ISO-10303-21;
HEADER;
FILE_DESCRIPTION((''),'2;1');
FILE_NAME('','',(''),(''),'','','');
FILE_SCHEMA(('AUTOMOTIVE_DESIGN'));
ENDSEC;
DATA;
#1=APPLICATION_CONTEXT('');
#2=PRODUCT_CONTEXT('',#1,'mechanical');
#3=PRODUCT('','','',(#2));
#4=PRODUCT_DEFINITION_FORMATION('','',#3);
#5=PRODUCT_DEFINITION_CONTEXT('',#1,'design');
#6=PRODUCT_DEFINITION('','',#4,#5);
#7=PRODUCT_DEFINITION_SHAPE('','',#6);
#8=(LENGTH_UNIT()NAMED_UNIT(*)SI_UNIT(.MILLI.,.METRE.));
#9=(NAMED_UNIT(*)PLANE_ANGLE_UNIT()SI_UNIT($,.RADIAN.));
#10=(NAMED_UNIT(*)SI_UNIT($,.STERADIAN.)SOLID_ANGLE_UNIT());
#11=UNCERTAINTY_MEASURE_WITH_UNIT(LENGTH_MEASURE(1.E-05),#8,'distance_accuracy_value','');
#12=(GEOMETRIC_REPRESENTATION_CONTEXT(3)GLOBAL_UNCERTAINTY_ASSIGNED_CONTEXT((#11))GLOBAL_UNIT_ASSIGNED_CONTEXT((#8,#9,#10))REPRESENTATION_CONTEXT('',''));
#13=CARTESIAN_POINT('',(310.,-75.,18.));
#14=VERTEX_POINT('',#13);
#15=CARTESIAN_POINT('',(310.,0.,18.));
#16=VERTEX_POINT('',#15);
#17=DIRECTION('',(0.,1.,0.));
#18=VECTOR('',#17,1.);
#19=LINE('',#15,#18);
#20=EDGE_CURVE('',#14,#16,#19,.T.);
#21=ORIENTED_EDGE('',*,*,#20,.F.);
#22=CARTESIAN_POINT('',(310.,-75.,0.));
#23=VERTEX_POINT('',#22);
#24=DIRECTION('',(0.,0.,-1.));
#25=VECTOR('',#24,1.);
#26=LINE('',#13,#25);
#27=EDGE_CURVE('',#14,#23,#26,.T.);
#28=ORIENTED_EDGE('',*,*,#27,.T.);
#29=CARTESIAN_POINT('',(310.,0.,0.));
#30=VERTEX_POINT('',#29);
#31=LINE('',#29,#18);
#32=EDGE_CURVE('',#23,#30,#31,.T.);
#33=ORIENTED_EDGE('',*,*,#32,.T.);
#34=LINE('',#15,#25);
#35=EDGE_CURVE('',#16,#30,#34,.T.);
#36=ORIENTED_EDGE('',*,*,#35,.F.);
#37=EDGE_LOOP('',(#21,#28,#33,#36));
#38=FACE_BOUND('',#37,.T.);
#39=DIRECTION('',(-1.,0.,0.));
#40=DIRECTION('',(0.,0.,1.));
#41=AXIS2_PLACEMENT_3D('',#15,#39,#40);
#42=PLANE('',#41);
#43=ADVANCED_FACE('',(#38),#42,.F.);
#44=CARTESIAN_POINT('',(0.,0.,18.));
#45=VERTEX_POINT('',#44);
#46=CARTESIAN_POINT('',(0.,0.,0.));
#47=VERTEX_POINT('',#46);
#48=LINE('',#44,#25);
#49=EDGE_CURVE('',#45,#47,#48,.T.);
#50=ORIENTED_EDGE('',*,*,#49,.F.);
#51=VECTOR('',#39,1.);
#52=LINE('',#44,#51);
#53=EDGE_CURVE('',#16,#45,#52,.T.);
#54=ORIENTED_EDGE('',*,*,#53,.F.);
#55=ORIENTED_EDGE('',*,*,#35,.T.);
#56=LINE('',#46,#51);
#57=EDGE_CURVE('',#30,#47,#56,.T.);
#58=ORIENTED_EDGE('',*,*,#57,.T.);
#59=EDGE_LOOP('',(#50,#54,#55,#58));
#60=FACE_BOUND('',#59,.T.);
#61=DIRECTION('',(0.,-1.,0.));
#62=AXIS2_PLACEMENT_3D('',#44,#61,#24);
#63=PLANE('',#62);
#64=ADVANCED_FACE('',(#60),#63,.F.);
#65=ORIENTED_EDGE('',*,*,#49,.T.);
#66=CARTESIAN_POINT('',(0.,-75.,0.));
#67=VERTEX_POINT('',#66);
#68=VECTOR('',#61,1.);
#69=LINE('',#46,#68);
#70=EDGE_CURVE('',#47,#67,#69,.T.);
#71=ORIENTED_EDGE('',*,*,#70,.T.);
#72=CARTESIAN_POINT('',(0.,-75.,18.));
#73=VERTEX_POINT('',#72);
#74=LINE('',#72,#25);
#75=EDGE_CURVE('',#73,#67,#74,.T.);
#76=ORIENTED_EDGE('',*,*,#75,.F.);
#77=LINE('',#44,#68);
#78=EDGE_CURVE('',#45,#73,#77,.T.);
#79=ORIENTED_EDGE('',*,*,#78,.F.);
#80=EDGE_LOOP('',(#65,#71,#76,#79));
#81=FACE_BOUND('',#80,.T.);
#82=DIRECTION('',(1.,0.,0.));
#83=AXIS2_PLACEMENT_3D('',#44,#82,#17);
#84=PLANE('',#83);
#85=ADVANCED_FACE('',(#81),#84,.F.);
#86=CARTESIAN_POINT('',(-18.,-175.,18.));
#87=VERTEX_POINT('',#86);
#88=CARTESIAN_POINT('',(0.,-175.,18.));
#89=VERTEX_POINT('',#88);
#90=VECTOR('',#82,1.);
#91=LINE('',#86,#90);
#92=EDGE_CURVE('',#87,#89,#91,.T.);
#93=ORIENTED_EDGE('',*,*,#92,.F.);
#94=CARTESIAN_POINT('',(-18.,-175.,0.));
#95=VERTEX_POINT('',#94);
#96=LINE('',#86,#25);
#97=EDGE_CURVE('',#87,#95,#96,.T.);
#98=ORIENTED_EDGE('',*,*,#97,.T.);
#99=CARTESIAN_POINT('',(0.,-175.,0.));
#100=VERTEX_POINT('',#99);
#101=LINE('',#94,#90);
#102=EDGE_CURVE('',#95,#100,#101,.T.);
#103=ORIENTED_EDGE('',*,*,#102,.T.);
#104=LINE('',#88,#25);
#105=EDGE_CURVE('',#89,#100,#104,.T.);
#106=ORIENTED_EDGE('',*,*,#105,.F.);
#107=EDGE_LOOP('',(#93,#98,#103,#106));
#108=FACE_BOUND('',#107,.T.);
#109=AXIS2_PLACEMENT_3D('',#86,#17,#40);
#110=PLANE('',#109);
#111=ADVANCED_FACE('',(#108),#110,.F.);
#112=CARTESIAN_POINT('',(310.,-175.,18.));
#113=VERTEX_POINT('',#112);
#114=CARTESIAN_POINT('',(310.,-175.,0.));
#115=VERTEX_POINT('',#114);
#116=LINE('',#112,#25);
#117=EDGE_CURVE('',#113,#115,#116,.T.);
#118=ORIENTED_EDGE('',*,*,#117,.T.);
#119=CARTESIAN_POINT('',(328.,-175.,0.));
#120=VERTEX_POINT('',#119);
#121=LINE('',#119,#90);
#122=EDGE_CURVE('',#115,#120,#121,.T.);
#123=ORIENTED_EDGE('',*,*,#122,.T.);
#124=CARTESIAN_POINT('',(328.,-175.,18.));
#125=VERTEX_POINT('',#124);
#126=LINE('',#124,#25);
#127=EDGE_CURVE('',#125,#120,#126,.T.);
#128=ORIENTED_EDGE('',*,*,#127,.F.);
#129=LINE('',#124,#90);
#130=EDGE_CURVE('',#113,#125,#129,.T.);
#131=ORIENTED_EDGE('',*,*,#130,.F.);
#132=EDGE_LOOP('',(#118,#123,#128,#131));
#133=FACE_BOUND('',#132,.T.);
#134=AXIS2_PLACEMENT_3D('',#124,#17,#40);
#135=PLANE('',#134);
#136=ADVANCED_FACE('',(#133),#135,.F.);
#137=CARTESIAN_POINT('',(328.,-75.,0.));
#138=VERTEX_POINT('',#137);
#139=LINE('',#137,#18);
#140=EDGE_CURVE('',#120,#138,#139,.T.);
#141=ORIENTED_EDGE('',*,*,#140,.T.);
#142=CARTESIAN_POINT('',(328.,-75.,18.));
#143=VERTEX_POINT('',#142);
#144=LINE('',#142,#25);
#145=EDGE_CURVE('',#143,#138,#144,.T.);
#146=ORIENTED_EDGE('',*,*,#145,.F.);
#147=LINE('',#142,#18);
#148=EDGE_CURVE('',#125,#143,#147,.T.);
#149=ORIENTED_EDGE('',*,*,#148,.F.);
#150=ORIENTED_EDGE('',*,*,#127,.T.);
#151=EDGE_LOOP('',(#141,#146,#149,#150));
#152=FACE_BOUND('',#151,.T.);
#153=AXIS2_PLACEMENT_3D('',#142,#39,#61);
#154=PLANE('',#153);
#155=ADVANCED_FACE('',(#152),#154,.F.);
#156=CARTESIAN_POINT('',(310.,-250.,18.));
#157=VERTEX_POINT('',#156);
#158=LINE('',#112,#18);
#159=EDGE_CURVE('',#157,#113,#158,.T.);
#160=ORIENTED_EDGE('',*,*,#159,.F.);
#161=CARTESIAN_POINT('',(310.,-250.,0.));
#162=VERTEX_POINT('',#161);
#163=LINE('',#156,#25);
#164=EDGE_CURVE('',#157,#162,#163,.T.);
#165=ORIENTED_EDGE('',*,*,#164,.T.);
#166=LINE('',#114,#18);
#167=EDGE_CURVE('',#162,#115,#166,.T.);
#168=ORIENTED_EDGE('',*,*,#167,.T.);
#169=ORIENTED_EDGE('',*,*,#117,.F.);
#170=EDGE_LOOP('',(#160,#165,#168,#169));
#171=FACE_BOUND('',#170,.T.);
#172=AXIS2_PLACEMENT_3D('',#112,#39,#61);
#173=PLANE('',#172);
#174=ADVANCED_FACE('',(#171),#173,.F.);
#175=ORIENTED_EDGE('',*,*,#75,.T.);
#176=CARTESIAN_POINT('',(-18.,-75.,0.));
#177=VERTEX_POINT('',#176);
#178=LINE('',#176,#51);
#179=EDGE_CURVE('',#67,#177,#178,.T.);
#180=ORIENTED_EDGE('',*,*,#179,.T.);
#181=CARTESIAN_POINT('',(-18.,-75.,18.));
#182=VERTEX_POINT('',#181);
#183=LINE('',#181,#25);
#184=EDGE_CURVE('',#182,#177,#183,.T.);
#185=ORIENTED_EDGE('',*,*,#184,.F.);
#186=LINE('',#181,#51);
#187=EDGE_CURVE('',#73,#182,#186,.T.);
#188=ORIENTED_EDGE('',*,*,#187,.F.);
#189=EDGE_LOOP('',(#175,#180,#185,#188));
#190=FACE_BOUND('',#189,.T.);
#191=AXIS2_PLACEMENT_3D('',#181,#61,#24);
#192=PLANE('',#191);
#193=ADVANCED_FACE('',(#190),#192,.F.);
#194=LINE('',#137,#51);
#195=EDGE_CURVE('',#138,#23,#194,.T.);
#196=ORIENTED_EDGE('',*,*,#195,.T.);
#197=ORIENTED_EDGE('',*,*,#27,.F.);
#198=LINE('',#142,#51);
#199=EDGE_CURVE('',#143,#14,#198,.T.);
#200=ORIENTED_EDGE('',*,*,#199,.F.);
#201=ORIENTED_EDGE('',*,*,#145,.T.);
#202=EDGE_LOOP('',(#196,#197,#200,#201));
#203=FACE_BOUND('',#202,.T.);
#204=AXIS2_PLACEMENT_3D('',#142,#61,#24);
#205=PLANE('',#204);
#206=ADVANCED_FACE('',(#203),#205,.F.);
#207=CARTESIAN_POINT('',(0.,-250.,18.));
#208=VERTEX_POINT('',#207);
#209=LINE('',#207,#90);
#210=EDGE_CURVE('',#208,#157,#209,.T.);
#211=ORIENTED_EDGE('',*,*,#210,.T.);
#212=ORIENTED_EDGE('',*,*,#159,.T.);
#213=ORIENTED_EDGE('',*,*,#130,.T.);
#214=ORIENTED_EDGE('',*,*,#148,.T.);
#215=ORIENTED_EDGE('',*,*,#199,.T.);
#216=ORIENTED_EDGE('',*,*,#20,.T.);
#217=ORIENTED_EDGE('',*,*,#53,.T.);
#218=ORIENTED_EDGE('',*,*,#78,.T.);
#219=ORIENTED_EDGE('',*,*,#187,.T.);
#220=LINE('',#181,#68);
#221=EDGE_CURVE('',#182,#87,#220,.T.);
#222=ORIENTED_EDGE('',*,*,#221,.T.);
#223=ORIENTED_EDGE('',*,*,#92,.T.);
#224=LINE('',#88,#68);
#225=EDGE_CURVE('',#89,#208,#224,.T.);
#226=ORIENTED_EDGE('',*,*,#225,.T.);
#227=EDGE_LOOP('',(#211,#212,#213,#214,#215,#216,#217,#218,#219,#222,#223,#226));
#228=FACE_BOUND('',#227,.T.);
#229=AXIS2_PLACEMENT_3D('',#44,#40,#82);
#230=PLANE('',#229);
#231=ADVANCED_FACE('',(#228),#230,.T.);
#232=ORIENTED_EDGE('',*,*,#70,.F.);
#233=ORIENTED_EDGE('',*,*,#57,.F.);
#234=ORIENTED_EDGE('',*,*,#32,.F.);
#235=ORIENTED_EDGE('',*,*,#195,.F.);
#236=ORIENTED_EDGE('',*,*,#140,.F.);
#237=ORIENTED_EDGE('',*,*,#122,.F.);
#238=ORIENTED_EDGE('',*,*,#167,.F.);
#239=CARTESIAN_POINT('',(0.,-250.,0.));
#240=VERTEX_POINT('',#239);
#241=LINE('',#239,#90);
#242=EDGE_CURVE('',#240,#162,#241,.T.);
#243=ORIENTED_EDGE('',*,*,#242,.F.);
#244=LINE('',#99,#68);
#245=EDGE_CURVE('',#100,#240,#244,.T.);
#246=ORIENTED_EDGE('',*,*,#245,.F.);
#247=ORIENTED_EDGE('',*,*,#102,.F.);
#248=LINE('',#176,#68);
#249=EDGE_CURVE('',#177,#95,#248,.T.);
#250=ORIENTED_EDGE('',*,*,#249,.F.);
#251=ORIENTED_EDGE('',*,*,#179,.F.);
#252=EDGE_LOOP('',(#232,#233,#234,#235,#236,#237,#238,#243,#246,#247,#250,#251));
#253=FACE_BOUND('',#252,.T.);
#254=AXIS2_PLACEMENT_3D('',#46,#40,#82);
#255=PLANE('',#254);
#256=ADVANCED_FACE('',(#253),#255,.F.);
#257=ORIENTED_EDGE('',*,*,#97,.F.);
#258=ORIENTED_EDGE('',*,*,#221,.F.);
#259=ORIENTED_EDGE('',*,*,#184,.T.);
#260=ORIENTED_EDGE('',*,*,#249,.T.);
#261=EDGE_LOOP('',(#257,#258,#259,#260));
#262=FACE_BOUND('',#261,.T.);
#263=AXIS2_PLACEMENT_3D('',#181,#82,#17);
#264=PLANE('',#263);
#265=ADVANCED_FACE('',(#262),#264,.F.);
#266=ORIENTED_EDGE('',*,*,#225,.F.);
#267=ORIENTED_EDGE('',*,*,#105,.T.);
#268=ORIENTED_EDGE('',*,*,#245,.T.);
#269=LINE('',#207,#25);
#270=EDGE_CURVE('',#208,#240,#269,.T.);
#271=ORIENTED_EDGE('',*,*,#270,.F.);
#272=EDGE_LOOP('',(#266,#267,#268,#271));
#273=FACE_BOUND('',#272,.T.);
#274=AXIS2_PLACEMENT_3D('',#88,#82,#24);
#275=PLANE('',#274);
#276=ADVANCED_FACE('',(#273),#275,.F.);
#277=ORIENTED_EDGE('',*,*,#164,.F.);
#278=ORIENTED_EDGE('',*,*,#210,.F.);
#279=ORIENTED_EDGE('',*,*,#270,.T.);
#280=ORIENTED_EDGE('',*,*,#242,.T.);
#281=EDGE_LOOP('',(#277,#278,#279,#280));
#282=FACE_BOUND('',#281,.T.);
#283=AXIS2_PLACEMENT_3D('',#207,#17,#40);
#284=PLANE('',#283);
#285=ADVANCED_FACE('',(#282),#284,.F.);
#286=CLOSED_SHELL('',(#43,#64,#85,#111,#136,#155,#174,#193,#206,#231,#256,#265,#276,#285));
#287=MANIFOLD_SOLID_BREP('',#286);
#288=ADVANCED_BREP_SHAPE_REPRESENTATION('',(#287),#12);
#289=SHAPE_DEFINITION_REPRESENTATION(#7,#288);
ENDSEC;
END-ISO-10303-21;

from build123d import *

# Parameters (mm, degrees)
BOSS_EXTRUDE2_DEPTH = 18


with BuildPart() as part:
    # Sketch1 → Boss-Extrude2 (new body)
    with BuildSketch(Plane.XY):
        Polygon((0, -175), (0, -250), (310, -250), (310, -175), (328, -175), (328, -75), (310, -75), (310, 0), (0, 0), (0, -75), (-18, -75), (-18, -175), align=None)
    extrude(amount=BOSS_EXTRUDE2_DEPTH)


solid = part.part
